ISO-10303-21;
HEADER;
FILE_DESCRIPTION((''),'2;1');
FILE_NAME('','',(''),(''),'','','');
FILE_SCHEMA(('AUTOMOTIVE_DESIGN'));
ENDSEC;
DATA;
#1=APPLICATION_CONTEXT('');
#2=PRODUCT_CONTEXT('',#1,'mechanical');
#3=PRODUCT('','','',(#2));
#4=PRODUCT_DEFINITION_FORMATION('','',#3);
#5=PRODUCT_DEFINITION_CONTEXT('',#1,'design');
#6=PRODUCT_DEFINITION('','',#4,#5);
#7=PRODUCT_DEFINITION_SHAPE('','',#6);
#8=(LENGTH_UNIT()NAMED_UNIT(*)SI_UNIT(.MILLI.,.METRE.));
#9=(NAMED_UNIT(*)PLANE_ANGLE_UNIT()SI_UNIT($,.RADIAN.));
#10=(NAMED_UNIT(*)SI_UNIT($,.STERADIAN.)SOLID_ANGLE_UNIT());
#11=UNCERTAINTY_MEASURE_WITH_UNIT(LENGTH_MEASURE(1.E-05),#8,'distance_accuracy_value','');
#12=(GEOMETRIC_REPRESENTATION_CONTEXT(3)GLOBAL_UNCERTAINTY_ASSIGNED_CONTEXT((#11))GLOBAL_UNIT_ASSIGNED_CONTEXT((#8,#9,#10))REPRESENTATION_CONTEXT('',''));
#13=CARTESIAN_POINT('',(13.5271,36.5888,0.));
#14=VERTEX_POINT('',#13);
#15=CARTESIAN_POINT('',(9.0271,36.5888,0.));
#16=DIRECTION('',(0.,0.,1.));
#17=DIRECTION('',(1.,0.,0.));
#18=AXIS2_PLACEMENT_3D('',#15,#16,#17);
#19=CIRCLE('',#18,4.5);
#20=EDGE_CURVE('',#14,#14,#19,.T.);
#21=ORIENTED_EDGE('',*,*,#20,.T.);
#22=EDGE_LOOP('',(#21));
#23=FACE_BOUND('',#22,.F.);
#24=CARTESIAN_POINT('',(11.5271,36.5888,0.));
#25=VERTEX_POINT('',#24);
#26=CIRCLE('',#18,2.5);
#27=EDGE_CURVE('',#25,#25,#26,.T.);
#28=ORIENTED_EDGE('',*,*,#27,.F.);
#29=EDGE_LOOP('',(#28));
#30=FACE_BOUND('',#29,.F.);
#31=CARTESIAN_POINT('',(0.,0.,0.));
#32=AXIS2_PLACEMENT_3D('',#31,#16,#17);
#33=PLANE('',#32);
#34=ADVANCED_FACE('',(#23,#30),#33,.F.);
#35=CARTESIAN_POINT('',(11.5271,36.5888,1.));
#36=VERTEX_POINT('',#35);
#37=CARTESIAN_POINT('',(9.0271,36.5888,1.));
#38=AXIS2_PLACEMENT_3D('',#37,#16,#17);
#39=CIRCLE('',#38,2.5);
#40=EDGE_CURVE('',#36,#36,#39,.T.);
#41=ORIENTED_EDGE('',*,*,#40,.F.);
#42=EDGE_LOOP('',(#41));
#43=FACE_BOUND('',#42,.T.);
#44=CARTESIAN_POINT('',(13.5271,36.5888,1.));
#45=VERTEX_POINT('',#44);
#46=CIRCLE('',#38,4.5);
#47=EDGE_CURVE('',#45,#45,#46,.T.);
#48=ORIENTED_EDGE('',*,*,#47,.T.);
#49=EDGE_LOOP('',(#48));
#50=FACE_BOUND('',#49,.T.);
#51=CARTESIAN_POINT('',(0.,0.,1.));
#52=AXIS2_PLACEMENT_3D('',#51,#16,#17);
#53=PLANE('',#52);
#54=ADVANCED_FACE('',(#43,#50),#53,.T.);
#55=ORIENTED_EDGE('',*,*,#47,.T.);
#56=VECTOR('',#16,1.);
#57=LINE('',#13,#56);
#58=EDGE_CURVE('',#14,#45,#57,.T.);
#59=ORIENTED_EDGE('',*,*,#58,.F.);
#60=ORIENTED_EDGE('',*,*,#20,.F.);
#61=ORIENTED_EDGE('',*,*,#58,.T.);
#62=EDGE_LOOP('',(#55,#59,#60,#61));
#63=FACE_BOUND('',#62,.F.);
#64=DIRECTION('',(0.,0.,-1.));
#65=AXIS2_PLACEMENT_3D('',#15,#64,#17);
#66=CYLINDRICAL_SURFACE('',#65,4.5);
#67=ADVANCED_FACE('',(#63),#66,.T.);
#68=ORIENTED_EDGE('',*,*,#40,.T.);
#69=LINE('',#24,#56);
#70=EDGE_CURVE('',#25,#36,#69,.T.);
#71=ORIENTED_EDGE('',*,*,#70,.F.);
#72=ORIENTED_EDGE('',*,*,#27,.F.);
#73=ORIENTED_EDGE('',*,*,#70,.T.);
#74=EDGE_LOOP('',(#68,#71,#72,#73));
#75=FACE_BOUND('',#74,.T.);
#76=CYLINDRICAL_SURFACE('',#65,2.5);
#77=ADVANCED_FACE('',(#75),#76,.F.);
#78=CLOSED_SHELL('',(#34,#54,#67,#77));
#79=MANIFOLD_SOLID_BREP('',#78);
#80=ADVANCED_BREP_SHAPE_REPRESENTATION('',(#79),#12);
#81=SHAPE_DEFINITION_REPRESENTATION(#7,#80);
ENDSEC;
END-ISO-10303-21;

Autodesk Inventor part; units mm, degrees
ref_plane "YZ Plane" through (0, 0, 0) normal (1, 0, 0) x (0, 1, 0)
ref_plane "XZ Plane" through (0, 0, 0) normal (0, 1, 0) x (-1, 0, 0)
ref_plane "XY Plane" through (0, 0, 0) normal (0, 0, 1) x (1, 0, 0)
sketch "Sketch1" plane through (0, 0, 0) normal (0, 0, 1) x (1, 0, 0)
  circle A0 centre (9.0271, 36.5888) radius 2.5
  circle A1 centre (9.0271, 36.5888) radius 4.5
  point P0 (0, 0)
  dimension "d0" = 5
  dimension "d1" = 9
extrude "Extrusion1" add sketch "Sketch1" along normal blind 1
properties part number "1mm-spacer"
